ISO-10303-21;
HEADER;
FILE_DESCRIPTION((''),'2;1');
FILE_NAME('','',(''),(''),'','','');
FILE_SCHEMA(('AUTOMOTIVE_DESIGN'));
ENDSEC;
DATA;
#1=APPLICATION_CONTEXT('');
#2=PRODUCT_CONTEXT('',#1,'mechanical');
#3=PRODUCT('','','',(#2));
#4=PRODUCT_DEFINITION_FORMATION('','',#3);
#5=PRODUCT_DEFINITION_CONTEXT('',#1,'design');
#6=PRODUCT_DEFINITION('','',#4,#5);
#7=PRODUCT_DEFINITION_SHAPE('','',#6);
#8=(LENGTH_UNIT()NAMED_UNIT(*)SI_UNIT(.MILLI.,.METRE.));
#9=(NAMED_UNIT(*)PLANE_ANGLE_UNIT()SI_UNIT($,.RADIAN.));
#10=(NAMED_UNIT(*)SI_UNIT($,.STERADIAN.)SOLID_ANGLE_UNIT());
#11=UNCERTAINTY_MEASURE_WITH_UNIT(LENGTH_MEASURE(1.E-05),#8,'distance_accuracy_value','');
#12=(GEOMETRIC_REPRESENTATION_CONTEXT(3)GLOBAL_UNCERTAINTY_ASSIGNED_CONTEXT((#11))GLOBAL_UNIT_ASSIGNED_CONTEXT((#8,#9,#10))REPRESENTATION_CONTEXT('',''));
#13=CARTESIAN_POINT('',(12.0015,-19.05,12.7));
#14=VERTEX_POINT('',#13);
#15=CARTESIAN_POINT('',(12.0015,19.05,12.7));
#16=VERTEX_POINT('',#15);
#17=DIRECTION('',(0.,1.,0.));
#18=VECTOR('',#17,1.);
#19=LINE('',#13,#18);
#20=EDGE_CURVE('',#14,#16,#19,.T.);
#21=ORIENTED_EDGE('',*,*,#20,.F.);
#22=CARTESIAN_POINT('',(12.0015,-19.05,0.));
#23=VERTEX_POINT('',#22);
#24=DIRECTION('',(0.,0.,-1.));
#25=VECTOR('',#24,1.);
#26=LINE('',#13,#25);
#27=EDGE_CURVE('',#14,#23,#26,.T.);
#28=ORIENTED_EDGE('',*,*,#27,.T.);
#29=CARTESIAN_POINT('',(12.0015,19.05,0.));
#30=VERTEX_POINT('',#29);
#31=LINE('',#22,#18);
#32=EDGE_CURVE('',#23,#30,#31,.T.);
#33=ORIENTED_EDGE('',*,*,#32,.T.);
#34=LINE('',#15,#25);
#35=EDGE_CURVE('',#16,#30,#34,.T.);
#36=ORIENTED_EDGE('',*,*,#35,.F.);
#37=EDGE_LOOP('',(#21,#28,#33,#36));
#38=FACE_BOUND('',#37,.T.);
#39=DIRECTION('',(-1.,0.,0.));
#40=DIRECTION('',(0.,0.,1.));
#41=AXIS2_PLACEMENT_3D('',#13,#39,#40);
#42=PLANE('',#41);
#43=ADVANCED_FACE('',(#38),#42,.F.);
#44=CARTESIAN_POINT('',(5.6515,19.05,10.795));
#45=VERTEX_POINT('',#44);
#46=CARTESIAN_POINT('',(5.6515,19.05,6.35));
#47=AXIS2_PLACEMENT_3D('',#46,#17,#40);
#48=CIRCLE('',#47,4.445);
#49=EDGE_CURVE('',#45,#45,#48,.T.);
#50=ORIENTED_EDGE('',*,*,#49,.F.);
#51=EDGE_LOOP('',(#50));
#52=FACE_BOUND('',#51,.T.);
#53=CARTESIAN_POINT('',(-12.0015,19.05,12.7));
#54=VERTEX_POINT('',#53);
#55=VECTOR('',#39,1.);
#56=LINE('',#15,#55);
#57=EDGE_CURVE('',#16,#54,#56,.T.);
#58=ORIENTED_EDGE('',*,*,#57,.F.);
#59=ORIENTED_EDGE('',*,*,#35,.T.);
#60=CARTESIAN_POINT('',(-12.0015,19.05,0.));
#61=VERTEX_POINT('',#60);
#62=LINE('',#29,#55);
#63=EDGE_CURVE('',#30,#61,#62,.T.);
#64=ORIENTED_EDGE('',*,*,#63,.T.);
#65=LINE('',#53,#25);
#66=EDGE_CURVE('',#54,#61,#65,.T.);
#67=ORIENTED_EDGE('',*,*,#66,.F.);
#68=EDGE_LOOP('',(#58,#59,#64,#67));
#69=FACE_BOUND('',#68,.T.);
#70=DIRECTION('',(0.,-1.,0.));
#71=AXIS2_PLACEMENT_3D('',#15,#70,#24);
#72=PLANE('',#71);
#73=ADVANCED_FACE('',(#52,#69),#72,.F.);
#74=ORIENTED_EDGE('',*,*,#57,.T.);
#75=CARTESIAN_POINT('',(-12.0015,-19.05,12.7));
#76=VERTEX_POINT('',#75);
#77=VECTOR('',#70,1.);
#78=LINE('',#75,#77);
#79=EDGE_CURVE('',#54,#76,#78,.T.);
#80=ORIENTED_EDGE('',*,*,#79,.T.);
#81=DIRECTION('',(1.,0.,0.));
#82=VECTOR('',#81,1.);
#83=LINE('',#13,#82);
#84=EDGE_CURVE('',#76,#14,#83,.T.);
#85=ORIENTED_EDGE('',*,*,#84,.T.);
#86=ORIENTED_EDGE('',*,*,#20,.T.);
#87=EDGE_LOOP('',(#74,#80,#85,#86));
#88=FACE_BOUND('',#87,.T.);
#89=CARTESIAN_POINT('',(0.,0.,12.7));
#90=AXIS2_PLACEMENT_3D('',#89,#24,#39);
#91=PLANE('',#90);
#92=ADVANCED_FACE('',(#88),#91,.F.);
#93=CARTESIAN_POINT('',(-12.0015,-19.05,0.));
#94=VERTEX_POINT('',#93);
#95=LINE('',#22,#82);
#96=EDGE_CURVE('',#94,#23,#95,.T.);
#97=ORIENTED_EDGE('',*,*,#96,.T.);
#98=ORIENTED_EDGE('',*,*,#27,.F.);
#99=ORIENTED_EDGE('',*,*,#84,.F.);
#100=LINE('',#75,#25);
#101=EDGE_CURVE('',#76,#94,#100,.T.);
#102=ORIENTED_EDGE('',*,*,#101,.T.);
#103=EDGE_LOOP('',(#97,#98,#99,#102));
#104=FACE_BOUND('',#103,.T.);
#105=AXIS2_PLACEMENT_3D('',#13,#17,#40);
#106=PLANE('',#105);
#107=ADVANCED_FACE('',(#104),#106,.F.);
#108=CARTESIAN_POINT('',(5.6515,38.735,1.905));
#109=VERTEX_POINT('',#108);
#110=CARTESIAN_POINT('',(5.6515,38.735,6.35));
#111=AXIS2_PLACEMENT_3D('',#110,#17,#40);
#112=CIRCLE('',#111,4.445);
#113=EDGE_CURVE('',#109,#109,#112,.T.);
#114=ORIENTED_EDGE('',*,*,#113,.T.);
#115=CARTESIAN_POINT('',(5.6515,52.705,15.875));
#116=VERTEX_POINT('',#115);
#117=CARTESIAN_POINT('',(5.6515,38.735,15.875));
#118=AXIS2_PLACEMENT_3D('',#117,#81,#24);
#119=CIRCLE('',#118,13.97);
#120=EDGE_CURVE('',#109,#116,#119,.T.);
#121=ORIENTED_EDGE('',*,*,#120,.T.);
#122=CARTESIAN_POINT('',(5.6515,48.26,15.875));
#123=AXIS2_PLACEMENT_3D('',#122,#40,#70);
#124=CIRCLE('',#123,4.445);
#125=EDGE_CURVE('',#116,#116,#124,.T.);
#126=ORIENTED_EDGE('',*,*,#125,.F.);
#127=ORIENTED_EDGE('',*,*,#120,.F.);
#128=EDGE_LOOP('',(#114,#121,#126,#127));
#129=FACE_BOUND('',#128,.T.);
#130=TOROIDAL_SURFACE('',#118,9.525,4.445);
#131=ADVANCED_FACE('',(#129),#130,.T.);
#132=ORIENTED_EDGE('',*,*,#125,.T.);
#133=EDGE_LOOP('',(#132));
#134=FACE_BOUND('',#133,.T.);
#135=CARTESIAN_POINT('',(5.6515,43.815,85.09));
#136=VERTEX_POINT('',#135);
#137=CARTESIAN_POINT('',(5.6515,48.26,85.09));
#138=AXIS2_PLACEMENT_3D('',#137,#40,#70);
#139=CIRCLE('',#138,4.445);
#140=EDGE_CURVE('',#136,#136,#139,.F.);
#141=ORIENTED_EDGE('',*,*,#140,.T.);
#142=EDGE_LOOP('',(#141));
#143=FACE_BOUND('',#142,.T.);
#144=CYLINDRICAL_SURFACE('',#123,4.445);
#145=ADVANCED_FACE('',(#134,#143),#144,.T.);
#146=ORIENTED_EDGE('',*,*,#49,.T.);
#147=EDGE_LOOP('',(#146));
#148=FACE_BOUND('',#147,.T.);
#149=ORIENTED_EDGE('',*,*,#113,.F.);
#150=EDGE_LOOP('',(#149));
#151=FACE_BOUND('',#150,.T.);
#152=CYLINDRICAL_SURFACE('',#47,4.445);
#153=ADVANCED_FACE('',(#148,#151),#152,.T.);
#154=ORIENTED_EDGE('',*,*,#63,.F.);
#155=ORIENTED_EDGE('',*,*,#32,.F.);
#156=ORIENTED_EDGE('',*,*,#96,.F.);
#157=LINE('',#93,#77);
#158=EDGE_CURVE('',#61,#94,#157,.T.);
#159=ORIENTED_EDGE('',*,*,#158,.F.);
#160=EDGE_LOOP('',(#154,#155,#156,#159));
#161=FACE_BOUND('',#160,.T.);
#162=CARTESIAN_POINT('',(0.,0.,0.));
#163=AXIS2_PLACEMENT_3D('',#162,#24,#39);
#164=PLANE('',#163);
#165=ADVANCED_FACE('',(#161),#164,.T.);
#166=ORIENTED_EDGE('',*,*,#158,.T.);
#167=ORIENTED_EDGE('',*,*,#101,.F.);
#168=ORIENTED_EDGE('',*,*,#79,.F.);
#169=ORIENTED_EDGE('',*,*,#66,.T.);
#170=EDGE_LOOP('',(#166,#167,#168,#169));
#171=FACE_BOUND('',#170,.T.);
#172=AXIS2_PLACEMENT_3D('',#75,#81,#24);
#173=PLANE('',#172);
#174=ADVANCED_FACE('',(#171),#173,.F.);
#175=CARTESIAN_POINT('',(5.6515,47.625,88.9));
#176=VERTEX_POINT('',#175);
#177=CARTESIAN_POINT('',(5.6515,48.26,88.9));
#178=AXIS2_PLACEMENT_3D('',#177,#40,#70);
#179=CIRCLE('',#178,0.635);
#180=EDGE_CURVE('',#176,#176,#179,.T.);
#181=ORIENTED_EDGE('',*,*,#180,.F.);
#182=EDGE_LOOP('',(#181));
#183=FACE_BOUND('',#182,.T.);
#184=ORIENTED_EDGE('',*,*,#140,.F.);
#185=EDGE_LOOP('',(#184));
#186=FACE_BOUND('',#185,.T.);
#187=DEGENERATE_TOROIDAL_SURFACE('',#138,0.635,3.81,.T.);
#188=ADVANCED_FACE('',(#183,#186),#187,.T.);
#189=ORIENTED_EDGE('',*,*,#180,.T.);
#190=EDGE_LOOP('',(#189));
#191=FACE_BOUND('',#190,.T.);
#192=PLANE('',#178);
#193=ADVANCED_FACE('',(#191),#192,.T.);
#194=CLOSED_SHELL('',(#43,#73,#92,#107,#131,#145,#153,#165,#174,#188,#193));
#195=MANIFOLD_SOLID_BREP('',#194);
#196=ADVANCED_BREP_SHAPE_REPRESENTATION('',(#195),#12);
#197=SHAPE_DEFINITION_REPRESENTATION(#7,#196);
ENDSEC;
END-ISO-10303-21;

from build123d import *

# Parameters (mm, degrees)
SKETCH1_W           = 38.1
SKETCH1_H           = 24.003
BOSS_EXTRUDE1_DEPTH = 12.7
SKETCH3_R           = 4.445
FILLET1_R           = 3.81


with BuildPart() as part:
    # Sketch1 → Boss-Extrude1 (new body)
    with BuildSketch(Plane(origin=(0, 0, 0), x_dir=(0, 1, 0), z_dir=(0, 0, 1))):
        Rectangle(SKETCH1_W, SKETCH1_H)
    extrude(amount=BOSS_EXTRUDE1_DEPTH)

    # Sweep1: sweep along a path in Sketch2
    with BuildLine(Plane(origin=(5.6515, 0, 0), x_dir=(0, 0, -1), z_dir=(1, 0, 0))) as sweep1_path:
        Line((-6.35, 19.05), (-6.35, 38.735))
        ThreePointArc((-6.35, 38.735), (-9.139807909, 45.470192091), (-15.875, 48.26))
        Line((-15.875, 48.26), (-88.9, 48.26))
    # Sketch3 → Sweep1 (sweep)
    with BuildSketch(Plane(origin=(0, 19.05, 0), x_dir=(-1, 0, 0), z_dir=(0, 1, 0))):
        with Locations((-5.6515, 6.35)):
            Circle(SKETCH3_R)
    sweep(path=sweep1_path.line)

    # Fillet1
    fillet1_edges = [part.edges().sort_by_distance(p)[0] for p in [
        (10.0965, 48.26, 88.9),
    ]]
    fillet(fillet1_edges, radius=FILLET1_R)


solid = part.part
